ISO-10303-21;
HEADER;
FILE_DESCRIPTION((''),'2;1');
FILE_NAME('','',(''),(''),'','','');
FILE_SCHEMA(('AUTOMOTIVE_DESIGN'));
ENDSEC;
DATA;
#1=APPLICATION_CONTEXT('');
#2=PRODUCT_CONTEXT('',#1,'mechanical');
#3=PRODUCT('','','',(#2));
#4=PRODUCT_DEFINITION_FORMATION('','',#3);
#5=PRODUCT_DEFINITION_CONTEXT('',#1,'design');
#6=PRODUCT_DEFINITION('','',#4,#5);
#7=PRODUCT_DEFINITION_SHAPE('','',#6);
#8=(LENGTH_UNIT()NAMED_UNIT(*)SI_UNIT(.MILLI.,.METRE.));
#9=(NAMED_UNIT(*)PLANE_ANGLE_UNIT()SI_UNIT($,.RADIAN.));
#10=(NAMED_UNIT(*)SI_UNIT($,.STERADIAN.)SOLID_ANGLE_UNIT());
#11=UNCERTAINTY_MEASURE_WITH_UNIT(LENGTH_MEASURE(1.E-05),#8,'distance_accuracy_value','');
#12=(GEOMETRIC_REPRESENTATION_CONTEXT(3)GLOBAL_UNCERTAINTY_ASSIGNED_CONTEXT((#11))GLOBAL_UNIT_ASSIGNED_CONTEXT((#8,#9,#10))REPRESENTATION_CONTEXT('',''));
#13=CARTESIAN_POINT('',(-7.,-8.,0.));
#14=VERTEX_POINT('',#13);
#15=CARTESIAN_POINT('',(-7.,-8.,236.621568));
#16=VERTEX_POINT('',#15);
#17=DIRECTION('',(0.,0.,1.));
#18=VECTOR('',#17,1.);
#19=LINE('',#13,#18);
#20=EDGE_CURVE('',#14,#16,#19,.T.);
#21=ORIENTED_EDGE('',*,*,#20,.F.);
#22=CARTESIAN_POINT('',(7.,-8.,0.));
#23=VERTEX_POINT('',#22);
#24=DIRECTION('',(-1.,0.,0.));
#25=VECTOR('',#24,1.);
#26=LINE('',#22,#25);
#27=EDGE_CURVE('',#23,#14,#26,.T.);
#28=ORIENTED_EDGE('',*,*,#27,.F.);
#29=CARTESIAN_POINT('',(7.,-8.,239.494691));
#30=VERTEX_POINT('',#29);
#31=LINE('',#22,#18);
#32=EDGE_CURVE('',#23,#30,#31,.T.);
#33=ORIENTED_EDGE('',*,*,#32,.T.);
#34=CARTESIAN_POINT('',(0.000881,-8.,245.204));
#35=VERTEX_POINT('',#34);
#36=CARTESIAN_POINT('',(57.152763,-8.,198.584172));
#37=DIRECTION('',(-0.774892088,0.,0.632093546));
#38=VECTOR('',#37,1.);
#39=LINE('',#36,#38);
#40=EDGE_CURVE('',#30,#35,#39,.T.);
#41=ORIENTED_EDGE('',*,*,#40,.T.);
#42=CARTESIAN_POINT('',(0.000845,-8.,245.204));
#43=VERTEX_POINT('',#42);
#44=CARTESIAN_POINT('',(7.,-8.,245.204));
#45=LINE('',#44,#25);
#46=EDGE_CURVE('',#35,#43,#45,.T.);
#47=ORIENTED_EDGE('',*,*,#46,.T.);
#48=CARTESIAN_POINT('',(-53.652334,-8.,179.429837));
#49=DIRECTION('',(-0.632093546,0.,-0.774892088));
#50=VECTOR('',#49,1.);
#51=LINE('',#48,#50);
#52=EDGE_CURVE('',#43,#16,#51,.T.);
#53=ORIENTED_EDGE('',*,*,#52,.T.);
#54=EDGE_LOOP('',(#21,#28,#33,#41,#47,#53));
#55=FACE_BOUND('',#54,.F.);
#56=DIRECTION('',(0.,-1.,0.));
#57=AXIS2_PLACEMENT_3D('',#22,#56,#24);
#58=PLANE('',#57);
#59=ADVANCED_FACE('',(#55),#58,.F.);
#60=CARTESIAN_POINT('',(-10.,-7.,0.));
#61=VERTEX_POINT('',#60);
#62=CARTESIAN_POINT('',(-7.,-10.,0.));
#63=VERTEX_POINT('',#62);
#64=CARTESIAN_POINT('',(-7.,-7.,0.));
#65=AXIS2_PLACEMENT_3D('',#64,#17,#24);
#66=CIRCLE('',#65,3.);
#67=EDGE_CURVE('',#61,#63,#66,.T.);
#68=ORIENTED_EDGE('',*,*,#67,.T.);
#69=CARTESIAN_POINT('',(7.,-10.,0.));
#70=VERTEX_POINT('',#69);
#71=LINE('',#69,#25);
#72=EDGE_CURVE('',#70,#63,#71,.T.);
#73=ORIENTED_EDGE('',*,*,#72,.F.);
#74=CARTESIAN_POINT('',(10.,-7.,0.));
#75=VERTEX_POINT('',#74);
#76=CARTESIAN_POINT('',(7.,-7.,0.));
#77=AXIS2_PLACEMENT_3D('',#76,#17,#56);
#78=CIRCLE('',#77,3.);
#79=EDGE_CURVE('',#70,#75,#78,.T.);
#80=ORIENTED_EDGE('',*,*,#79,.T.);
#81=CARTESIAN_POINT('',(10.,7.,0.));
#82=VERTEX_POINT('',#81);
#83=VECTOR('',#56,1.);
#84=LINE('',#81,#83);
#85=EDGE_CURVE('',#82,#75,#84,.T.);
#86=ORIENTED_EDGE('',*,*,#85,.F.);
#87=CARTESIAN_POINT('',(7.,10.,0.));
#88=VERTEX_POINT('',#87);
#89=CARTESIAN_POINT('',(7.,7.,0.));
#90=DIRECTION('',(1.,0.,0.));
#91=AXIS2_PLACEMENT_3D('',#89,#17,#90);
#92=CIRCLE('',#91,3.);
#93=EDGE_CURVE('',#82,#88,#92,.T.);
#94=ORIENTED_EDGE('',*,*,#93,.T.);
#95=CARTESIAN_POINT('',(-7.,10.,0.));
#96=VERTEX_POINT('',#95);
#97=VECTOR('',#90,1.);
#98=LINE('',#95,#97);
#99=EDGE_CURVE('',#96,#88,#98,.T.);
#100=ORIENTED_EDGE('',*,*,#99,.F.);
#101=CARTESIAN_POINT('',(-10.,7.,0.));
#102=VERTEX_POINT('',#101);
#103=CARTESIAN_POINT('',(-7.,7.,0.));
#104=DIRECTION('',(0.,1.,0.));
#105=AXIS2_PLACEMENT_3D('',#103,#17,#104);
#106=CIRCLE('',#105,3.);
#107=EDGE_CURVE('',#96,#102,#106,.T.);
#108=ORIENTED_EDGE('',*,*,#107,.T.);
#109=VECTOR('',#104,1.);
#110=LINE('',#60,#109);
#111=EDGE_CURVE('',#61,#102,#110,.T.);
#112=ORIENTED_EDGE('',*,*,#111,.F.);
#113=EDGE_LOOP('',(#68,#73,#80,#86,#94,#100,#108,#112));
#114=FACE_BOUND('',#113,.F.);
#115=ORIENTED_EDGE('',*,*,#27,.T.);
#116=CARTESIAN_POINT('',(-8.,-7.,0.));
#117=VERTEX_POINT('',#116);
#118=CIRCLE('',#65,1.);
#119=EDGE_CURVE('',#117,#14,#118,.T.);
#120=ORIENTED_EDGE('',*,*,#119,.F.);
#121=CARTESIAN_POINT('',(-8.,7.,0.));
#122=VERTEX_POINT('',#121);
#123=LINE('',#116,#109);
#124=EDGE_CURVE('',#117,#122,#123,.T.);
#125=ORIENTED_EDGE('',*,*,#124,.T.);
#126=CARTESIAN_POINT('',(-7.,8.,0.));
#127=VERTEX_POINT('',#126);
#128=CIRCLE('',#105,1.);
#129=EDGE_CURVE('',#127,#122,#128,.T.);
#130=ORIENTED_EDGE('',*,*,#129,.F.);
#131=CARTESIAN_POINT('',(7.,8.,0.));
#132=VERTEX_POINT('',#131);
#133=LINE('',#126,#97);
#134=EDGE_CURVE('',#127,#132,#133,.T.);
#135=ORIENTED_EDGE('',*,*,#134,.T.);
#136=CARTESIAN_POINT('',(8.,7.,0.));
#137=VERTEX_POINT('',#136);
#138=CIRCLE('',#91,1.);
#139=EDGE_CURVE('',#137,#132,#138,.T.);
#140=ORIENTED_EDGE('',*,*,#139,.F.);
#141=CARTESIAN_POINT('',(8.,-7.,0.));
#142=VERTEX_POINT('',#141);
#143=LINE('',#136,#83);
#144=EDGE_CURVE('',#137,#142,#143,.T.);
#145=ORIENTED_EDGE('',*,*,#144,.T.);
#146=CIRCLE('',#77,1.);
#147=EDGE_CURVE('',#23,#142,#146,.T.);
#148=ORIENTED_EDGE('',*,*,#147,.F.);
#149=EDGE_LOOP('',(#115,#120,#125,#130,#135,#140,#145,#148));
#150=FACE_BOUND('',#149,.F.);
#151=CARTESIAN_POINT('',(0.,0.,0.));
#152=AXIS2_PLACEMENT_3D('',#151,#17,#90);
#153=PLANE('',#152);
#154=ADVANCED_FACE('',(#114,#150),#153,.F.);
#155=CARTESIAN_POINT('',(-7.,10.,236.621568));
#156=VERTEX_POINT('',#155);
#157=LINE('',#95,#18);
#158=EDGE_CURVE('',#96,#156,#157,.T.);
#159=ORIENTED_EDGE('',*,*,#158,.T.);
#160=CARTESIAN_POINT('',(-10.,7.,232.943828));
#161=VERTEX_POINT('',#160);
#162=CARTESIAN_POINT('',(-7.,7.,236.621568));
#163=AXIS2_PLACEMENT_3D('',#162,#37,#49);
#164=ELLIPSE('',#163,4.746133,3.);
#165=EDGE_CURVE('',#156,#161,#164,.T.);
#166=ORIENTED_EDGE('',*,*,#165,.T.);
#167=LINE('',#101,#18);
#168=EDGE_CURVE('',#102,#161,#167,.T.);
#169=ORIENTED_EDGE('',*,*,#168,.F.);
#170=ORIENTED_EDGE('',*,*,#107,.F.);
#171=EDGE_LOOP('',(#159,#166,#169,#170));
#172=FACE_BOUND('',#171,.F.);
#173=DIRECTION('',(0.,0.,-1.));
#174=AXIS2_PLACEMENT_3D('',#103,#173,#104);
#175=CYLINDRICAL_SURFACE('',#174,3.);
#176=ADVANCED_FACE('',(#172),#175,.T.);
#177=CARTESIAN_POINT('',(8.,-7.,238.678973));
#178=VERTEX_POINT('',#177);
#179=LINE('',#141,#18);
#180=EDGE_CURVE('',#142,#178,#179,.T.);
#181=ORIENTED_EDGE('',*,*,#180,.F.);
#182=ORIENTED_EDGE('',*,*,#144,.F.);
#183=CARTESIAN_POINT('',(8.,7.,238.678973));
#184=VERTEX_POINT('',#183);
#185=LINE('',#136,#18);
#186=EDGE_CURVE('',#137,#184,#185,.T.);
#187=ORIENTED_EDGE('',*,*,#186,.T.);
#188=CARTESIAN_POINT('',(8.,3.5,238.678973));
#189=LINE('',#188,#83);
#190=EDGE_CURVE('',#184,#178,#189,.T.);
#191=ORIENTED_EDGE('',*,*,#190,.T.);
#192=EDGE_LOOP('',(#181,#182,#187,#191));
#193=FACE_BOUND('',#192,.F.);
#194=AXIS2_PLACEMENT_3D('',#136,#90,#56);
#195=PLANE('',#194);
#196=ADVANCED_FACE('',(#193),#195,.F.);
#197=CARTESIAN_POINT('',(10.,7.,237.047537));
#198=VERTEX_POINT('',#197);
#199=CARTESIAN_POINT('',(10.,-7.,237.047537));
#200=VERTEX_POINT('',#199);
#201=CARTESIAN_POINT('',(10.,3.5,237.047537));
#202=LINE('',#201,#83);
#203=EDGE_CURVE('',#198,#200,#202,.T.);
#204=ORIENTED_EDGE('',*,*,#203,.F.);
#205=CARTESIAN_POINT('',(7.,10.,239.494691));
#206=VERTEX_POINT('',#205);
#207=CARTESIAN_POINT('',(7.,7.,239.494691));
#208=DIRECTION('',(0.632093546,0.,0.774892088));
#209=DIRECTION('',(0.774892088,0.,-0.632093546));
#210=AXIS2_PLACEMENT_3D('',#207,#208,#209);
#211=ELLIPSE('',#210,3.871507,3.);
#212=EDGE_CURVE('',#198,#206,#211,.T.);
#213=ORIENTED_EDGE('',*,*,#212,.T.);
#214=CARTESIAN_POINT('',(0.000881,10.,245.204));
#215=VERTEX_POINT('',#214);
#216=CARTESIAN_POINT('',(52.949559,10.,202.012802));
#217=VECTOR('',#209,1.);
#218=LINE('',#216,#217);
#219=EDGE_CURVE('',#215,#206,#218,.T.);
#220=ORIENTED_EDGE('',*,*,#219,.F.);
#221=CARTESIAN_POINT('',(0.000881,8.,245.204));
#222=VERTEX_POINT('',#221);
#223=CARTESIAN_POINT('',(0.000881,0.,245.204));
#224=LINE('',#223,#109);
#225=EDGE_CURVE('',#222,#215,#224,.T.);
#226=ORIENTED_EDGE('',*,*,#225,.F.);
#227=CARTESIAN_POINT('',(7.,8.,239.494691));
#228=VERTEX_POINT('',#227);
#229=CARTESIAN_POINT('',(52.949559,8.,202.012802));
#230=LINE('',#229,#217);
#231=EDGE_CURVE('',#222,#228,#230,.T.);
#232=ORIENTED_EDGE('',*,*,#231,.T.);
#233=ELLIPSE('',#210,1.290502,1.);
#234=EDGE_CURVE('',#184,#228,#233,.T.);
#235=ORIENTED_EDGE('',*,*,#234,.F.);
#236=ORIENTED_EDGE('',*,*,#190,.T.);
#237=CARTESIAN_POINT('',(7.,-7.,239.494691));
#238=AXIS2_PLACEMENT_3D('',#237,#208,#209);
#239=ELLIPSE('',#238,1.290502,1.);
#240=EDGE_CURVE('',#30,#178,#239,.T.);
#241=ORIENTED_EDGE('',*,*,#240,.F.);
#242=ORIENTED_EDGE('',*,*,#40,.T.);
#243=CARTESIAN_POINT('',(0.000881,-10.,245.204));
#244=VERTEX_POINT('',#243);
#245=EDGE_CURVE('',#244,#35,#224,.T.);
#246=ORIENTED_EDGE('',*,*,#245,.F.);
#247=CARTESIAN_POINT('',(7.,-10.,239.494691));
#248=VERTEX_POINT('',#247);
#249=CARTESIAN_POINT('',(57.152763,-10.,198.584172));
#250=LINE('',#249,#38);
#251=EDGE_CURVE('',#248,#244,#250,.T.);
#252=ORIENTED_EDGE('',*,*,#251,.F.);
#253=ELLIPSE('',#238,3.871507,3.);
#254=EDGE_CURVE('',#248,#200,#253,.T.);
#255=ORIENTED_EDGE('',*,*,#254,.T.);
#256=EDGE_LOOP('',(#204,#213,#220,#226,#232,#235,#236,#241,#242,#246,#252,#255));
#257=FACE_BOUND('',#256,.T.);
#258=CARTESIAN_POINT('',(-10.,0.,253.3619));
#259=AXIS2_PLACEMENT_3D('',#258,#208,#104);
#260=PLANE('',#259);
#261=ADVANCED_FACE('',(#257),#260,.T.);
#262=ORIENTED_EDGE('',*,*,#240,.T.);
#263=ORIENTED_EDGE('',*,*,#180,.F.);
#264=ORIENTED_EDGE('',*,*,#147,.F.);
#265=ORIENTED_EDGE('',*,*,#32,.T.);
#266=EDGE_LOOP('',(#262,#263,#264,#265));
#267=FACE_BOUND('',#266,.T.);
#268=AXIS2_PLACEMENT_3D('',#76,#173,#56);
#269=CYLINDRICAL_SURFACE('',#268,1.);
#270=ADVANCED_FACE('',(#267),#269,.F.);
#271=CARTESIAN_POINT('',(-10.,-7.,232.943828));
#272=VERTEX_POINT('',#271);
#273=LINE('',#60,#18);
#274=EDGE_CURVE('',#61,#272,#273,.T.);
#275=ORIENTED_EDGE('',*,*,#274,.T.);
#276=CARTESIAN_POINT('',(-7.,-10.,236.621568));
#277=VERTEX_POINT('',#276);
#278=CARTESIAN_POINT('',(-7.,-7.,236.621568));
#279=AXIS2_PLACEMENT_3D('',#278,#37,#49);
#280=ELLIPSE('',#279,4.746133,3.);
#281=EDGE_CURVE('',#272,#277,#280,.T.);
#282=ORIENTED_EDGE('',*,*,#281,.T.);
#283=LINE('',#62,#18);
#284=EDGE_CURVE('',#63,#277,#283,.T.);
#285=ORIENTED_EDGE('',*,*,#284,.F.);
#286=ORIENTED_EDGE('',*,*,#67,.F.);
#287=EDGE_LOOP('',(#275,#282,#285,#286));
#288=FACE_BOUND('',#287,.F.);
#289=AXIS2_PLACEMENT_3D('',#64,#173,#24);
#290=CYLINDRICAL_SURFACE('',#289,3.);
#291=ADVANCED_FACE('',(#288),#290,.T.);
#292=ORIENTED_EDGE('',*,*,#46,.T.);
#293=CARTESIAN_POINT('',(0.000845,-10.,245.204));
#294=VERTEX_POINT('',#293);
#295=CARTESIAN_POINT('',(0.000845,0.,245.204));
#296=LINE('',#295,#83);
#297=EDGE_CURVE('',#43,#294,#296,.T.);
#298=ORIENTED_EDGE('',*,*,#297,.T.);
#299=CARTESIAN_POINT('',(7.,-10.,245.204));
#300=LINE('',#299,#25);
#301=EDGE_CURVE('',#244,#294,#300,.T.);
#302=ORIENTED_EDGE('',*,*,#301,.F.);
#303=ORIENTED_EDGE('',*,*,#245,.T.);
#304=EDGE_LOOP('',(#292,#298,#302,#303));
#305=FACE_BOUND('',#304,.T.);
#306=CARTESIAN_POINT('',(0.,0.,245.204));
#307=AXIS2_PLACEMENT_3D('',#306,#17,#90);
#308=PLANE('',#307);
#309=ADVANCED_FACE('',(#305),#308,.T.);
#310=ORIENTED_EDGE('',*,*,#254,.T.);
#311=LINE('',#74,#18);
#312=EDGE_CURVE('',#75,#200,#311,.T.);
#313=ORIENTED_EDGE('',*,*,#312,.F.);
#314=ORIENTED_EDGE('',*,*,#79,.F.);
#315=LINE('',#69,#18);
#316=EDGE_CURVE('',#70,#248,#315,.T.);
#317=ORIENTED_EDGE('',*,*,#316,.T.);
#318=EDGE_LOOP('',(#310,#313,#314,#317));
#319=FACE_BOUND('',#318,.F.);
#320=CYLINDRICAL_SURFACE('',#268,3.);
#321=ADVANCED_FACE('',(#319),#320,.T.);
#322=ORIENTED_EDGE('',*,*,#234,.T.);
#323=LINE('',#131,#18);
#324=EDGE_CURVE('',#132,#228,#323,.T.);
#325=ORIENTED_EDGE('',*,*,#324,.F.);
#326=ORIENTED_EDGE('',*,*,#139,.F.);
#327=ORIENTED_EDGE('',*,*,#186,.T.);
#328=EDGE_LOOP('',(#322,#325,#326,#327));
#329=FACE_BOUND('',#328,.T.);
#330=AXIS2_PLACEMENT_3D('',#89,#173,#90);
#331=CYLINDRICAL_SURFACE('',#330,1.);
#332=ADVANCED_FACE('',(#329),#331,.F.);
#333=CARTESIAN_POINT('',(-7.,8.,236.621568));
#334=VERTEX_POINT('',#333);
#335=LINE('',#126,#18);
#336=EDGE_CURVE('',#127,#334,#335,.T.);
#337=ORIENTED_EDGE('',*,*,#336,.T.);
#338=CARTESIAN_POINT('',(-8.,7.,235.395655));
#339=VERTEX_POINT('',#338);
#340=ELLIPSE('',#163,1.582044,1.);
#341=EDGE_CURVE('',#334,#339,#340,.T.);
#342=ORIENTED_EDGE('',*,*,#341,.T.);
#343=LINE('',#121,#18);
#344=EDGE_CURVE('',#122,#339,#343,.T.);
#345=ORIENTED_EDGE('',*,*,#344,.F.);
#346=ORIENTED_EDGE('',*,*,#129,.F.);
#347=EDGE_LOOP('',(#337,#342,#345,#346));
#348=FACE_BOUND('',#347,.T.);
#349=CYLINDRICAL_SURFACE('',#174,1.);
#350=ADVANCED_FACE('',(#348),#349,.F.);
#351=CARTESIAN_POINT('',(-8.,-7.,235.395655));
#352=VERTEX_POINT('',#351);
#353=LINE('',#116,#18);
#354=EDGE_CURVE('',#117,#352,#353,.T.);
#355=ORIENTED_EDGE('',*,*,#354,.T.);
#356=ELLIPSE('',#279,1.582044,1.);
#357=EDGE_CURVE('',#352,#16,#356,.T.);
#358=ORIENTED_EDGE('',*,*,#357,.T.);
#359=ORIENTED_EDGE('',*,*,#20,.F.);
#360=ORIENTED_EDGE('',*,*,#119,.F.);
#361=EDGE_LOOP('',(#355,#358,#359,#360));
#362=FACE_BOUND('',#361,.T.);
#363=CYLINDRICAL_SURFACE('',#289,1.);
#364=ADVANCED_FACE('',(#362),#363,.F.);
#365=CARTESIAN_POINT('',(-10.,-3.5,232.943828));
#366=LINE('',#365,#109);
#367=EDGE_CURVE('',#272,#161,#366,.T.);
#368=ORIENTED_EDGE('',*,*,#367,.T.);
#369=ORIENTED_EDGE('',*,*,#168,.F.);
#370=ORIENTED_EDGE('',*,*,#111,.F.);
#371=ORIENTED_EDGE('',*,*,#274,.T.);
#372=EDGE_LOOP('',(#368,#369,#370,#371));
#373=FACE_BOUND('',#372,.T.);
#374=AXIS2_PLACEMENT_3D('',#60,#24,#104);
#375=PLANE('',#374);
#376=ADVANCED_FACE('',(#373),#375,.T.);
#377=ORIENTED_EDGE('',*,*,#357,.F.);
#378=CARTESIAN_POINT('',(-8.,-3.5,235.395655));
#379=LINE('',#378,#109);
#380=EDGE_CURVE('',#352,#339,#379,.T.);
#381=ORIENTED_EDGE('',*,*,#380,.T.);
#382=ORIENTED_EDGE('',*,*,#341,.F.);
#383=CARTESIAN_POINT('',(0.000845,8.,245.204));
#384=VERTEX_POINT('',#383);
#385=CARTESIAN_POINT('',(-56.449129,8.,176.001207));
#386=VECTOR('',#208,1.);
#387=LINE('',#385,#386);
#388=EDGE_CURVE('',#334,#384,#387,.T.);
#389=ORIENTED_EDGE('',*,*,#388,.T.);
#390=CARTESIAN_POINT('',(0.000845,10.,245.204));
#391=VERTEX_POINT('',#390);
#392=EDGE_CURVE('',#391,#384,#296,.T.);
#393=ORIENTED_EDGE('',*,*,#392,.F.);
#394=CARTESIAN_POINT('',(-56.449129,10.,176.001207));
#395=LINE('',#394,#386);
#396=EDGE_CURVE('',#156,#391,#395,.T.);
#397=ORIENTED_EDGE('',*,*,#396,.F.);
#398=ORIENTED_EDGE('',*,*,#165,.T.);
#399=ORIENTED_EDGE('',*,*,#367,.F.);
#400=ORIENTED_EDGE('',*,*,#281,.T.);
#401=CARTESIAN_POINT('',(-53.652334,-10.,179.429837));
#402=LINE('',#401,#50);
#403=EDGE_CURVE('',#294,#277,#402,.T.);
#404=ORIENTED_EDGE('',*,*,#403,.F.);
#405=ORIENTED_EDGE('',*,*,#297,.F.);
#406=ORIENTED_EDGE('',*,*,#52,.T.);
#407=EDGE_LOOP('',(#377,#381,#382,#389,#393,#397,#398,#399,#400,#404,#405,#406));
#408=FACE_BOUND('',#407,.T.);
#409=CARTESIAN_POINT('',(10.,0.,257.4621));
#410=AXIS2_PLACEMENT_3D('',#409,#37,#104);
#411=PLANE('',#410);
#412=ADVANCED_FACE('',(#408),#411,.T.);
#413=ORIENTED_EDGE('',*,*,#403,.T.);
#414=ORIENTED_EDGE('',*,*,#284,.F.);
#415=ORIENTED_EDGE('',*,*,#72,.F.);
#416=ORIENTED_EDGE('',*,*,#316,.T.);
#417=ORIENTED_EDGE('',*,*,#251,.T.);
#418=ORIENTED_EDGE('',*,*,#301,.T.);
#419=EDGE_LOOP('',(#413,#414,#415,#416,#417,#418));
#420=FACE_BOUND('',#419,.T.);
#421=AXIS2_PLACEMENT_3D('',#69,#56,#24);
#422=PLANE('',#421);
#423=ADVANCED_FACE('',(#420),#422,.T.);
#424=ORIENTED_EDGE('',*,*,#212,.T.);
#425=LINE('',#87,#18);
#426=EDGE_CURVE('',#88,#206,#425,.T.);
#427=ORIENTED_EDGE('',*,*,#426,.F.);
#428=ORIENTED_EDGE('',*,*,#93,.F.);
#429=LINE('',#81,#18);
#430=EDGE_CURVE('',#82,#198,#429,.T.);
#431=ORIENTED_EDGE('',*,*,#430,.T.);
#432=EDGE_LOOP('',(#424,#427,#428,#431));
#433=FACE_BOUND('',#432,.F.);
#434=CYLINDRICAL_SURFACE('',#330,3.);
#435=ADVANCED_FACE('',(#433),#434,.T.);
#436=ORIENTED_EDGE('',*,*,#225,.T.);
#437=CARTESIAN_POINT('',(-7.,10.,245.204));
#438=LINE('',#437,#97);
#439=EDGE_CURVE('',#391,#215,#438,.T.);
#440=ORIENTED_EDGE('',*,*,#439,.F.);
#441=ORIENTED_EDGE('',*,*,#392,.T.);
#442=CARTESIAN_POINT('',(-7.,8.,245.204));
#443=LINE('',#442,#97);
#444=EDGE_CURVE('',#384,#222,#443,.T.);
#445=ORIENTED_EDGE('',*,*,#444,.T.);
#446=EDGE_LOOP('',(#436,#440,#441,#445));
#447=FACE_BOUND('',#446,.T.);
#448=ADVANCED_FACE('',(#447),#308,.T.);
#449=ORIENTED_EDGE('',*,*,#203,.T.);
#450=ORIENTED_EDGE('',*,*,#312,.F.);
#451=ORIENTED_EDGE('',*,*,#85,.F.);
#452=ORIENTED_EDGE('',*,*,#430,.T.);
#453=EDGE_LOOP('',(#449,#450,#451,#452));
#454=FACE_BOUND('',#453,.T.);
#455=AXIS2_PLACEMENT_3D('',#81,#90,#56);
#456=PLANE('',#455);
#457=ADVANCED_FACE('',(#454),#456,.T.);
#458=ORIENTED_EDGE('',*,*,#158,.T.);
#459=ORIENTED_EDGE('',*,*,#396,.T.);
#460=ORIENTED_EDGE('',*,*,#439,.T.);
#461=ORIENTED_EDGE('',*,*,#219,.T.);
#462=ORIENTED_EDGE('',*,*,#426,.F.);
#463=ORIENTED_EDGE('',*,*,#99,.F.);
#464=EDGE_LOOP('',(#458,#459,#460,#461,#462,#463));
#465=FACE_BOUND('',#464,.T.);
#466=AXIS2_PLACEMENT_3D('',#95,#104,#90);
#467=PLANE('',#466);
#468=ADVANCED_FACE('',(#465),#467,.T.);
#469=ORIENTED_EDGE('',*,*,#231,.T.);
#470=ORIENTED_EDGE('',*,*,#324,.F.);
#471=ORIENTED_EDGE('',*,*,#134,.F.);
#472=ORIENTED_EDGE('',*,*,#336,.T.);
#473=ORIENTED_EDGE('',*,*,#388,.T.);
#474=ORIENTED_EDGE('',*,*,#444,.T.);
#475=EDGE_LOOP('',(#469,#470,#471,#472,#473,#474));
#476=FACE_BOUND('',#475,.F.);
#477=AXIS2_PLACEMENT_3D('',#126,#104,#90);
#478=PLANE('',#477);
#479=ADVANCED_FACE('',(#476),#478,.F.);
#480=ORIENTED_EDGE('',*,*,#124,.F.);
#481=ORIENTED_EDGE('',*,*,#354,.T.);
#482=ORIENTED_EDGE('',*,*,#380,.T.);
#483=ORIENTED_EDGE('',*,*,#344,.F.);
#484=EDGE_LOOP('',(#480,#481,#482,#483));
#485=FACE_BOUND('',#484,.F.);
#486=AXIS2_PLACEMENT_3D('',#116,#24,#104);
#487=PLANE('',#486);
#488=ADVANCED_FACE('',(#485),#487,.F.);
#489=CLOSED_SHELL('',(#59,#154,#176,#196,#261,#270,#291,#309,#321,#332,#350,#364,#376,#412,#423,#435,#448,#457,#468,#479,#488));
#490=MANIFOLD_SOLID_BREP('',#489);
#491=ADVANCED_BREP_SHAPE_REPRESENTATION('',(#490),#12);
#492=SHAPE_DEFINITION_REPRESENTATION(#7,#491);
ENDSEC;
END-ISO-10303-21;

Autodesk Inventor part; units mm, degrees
ref_plane "Start Plane" through (0, 0, 0) normal (0, 0, 1) x (1, 0, 0)
ref_plane "End Plane" through (0, 0, 245.204) normal (0, 0, 1) x (1, 0, 0)
sketch "Sketch" plane through (0, 0, 0) normal (0, 0, 1) x (1, 0, 0)
  line L0 (-10, -7) -> (-10, 7)
  line L1 (-7, 10) -> (7, 10)
  line L2 (10, 7) -> (10, -7)
  line L3 (7, -10) -> (-7, -10)
  arc A0 (-10, -7) -> (-7, -10) centre (-7, -7) ccw
  arc A1 (-7, 10) -> (-10, 7) centre (-7, 7) ccw
  arc A2 (10, 7) -> (7, 10) centre (7, 7) ccw
  arc A3 (7, -10) -> (10, -7) centre (7, -7) ccw
  arc A4 (-7, 8) -> (-8, 7) centre (-7, 7) ccw
  line L4 (-7, 8) -> (7, 8)
  arc A5 (8, 7) -> (7, 8) centre (7, 7) ccw
  line L5 (8, 7) -> (8, -7)
  arc A6 (7, -8) -> (8, -7) centre (7, -7) ccw
  line L6 (7, -8) -> (-7, -8)
  arc A7 (-8, -7) -> (-7, -8) centre (-7, -7) ccw
  line L7 (-8, -7) -> (-8, 7)
  line L8 (0, 14.8698) -> (0, -14.8698) construction
  line L9 (-14.8698, 0) -> (14.8698, 0) construction
  dimension "d7" = 3
  dimension "d10" = 20
  dimension "d11" = 20
  dimension "d12" = 2
  dimension "d15" = 10
  dimension "d16" = 10
extrude "Body" add sketch "Sketch" along normal up to surface (245.204 mm away) from surface at 0
sketch "Sketch3" plane through (0, 0, 0) normal (0, 0, 1) x (1, 0, 0)
  line L0 (0, 0) -> (10, 0)
ref_plane "Work Plane3" through (0, 0, 0) normal (0, -1, 0) x (1, 0, 0)
sketch "Sketch4" plane through (0, 0, 0) normal (0, -1, 0) x (1, 0, 0)
  line L0 (-2, 0) -> (12, 0)
  line L1 (-2, 245.204) -> (12, 245.204)
  dimension "d18" = 245.204
ref_plane "Work Plane4" through (10, 0, 257.4621) normal (-0.7749, 0, 0.6321) x (0.6321, 0, 0.7749)
split "Split1" plane through (10, 0, 257.4621) removes the side toward (-0.7749, 0, 0.6321)
ref_plane "Work Plane5" through (-10, 0, 253.3619) normal (0.6321, 0, 0.7749) x (0.7749, 0, -0.6321)
split "Split2" plane through (-10, 0, 253.3619) removes the side toward (0.6321, 0, 0.7749)
equation "\"d7\" = G_IR"
equation "\"d10\" = G_H"
equation "\"d11\" = G_W"
equation "\"d12\" = G_T"
equation "\"d15\" = 0.5 * d10"
equation "\"d16\" = 0.5 * d11"
equation "\"d3\" = G_L"
equation "\"G_W\" = 20"
equation "\"G_H\" = 20"
equation "\"G_T\" = 2"
equation "\"G_IR\" = 3"
equation "\"G_L\" = d18"
equation "\"G_OFFSET_START\" = 0"
equation "\"G_OFFSET_END\" = 0"
equation "\"d14\" = G_OFFSET_END + B_L"
equation "\"B_L\" = 245.204"
properties part number "ISO 12633-2 - 20x20x2 - 245.2" material "Steel, Mild"
